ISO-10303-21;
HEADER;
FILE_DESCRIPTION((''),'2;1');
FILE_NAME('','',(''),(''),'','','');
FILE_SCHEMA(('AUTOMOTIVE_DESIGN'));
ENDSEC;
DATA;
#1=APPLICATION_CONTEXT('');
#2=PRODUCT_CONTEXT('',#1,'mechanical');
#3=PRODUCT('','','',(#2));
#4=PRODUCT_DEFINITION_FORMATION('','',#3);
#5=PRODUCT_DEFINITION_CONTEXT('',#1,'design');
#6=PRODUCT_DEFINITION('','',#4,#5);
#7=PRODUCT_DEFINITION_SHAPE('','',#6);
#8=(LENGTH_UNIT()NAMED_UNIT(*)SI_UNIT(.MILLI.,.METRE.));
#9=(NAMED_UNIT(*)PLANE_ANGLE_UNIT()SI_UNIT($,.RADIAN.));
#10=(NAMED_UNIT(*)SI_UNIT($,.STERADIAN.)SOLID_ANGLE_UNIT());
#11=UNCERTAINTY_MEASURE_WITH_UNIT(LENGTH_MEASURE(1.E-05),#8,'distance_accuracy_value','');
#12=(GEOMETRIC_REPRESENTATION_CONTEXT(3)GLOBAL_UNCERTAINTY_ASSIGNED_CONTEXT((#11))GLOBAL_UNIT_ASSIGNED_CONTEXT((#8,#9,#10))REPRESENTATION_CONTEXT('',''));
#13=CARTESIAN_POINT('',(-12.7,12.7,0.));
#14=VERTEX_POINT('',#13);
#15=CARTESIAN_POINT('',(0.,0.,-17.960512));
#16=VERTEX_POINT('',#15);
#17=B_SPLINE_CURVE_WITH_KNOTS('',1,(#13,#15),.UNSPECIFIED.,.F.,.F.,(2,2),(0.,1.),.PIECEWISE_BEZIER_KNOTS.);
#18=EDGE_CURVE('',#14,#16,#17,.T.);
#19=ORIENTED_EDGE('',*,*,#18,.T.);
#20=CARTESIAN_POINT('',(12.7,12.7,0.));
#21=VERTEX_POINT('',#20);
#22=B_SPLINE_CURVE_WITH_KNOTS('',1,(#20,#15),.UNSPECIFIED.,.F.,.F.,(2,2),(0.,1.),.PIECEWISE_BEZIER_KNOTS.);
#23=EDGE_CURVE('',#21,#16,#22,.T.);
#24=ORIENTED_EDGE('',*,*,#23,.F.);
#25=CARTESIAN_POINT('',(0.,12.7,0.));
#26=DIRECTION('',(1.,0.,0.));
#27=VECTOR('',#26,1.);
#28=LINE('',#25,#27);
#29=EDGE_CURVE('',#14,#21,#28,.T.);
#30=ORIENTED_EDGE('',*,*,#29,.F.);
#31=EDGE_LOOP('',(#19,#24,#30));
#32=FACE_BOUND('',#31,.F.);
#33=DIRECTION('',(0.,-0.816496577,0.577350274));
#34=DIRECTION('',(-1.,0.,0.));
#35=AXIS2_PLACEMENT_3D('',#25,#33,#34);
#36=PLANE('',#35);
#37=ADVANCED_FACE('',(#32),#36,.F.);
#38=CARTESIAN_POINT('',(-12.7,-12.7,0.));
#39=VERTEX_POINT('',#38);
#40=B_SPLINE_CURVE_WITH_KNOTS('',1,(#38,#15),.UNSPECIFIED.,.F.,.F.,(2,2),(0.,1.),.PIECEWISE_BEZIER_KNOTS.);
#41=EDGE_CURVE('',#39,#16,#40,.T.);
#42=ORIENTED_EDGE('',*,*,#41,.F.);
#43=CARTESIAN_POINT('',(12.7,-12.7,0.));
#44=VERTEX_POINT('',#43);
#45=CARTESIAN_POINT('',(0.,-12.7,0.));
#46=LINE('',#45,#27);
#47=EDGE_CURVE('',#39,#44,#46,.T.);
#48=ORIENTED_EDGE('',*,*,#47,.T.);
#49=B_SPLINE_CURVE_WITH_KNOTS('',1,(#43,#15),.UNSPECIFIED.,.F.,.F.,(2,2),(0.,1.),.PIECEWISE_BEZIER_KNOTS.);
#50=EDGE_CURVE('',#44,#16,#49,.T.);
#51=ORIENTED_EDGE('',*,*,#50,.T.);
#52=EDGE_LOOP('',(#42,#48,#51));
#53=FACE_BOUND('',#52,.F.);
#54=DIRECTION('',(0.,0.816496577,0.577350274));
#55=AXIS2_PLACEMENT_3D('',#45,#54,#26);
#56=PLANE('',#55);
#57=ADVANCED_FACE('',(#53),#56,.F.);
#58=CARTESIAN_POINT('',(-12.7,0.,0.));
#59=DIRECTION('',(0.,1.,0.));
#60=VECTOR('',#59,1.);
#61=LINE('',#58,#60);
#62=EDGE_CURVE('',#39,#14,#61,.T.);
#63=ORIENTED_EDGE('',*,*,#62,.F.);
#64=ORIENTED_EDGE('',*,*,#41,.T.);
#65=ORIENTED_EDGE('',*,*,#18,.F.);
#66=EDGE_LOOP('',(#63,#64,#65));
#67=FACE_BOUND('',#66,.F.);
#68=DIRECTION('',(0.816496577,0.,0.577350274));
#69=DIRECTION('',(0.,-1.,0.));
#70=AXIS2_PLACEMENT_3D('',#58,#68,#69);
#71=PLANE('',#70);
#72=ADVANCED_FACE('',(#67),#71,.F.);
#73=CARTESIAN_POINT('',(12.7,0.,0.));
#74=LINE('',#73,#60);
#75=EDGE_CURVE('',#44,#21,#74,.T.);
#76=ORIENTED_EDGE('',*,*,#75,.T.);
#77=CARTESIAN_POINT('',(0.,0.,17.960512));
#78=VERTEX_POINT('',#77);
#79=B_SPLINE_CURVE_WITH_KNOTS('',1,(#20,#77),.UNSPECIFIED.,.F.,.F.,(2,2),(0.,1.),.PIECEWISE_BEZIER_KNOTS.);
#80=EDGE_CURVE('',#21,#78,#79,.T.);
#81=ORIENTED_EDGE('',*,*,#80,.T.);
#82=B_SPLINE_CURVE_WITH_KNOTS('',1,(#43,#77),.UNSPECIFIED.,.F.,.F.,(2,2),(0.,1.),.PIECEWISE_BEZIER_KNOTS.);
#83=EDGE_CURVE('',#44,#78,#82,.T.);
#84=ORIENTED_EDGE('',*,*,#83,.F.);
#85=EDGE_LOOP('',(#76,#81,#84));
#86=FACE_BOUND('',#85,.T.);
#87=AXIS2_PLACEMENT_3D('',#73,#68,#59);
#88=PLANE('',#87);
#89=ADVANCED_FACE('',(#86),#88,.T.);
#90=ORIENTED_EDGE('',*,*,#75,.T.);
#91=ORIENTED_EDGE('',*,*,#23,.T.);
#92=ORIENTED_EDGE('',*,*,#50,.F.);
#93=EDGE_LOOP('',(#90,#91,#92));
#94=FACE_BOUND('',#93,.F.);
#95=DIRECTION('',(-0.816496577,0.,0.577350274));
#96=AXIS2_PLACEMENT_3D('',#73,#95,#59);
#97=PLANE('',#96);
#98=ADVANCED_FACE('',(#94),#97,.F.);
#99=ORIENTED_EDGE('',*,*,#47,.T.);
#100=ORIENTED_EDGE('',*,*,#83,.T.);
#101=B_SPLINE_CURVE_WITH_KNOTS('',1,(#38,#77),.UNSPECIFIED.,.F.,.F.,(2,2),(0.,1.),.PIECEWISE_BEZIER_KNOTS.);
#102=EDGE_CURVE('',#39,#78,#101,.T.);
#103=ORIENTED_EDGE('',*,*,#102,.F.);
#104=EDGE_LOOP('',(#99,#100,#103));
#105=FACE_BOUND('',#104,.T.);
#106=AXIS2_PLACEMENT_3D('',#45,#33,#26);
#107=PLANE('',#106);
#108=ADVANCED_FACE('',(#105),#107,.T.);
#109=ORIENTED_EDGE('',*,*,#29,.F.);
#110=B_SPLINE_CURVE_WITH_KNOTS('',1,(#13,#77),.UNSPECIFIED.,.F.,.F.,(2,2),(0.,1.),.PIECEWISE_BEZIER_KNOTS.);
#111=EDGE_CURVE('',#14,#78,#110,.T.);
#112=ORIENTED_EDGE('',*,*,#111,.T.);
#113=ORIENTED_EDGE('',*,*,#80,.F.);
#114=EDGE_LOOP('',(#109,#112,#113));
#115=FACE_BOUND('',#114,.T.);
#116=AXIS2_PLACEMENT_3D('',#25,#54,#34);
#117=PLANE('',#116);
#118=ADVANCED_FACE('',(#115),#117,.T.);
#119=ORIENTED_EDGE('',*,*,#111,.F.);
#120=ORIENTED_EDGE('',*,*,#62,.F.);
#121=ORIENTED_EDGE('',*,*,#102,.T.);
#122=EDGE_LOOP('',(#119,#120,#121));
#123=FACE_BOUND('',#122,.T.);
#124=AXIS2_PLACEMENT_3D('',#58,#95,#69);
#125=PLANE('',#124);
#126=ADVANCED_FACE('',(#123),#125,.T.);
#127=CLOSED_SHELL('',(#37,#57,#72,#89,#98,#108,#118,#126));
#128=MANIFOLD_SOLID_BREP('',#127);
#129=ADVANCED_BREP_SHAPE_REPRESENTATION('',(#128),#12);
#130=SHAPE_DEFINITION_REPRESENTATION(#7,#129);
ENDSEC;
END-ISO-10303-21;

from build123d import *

# Parameters (mm, degrees)
F0_W = 25.4
F0_H = 25.4


with BuildPart() as f2:
    # F0 (on Top) → F2 section 0
    with BuildSketch(Plane.XY, mode=Mode.PRIVATE) as f2_s0:
        Rectangle(F0_W, F0_H)
    loft([f2_s0.sketch, Vertex(0, 0, 17.960512)])

    # F0 (on Top) → F3 section 0
    with BuildSketch(Plane.XY, mode=Mode.PRIVATE) as f3_s0:
        Rectangle(F0_W, F0_H)
    loft([f3_s0.sketch, Vertex(0, 0, -17.960512)])


solid = f2.part
